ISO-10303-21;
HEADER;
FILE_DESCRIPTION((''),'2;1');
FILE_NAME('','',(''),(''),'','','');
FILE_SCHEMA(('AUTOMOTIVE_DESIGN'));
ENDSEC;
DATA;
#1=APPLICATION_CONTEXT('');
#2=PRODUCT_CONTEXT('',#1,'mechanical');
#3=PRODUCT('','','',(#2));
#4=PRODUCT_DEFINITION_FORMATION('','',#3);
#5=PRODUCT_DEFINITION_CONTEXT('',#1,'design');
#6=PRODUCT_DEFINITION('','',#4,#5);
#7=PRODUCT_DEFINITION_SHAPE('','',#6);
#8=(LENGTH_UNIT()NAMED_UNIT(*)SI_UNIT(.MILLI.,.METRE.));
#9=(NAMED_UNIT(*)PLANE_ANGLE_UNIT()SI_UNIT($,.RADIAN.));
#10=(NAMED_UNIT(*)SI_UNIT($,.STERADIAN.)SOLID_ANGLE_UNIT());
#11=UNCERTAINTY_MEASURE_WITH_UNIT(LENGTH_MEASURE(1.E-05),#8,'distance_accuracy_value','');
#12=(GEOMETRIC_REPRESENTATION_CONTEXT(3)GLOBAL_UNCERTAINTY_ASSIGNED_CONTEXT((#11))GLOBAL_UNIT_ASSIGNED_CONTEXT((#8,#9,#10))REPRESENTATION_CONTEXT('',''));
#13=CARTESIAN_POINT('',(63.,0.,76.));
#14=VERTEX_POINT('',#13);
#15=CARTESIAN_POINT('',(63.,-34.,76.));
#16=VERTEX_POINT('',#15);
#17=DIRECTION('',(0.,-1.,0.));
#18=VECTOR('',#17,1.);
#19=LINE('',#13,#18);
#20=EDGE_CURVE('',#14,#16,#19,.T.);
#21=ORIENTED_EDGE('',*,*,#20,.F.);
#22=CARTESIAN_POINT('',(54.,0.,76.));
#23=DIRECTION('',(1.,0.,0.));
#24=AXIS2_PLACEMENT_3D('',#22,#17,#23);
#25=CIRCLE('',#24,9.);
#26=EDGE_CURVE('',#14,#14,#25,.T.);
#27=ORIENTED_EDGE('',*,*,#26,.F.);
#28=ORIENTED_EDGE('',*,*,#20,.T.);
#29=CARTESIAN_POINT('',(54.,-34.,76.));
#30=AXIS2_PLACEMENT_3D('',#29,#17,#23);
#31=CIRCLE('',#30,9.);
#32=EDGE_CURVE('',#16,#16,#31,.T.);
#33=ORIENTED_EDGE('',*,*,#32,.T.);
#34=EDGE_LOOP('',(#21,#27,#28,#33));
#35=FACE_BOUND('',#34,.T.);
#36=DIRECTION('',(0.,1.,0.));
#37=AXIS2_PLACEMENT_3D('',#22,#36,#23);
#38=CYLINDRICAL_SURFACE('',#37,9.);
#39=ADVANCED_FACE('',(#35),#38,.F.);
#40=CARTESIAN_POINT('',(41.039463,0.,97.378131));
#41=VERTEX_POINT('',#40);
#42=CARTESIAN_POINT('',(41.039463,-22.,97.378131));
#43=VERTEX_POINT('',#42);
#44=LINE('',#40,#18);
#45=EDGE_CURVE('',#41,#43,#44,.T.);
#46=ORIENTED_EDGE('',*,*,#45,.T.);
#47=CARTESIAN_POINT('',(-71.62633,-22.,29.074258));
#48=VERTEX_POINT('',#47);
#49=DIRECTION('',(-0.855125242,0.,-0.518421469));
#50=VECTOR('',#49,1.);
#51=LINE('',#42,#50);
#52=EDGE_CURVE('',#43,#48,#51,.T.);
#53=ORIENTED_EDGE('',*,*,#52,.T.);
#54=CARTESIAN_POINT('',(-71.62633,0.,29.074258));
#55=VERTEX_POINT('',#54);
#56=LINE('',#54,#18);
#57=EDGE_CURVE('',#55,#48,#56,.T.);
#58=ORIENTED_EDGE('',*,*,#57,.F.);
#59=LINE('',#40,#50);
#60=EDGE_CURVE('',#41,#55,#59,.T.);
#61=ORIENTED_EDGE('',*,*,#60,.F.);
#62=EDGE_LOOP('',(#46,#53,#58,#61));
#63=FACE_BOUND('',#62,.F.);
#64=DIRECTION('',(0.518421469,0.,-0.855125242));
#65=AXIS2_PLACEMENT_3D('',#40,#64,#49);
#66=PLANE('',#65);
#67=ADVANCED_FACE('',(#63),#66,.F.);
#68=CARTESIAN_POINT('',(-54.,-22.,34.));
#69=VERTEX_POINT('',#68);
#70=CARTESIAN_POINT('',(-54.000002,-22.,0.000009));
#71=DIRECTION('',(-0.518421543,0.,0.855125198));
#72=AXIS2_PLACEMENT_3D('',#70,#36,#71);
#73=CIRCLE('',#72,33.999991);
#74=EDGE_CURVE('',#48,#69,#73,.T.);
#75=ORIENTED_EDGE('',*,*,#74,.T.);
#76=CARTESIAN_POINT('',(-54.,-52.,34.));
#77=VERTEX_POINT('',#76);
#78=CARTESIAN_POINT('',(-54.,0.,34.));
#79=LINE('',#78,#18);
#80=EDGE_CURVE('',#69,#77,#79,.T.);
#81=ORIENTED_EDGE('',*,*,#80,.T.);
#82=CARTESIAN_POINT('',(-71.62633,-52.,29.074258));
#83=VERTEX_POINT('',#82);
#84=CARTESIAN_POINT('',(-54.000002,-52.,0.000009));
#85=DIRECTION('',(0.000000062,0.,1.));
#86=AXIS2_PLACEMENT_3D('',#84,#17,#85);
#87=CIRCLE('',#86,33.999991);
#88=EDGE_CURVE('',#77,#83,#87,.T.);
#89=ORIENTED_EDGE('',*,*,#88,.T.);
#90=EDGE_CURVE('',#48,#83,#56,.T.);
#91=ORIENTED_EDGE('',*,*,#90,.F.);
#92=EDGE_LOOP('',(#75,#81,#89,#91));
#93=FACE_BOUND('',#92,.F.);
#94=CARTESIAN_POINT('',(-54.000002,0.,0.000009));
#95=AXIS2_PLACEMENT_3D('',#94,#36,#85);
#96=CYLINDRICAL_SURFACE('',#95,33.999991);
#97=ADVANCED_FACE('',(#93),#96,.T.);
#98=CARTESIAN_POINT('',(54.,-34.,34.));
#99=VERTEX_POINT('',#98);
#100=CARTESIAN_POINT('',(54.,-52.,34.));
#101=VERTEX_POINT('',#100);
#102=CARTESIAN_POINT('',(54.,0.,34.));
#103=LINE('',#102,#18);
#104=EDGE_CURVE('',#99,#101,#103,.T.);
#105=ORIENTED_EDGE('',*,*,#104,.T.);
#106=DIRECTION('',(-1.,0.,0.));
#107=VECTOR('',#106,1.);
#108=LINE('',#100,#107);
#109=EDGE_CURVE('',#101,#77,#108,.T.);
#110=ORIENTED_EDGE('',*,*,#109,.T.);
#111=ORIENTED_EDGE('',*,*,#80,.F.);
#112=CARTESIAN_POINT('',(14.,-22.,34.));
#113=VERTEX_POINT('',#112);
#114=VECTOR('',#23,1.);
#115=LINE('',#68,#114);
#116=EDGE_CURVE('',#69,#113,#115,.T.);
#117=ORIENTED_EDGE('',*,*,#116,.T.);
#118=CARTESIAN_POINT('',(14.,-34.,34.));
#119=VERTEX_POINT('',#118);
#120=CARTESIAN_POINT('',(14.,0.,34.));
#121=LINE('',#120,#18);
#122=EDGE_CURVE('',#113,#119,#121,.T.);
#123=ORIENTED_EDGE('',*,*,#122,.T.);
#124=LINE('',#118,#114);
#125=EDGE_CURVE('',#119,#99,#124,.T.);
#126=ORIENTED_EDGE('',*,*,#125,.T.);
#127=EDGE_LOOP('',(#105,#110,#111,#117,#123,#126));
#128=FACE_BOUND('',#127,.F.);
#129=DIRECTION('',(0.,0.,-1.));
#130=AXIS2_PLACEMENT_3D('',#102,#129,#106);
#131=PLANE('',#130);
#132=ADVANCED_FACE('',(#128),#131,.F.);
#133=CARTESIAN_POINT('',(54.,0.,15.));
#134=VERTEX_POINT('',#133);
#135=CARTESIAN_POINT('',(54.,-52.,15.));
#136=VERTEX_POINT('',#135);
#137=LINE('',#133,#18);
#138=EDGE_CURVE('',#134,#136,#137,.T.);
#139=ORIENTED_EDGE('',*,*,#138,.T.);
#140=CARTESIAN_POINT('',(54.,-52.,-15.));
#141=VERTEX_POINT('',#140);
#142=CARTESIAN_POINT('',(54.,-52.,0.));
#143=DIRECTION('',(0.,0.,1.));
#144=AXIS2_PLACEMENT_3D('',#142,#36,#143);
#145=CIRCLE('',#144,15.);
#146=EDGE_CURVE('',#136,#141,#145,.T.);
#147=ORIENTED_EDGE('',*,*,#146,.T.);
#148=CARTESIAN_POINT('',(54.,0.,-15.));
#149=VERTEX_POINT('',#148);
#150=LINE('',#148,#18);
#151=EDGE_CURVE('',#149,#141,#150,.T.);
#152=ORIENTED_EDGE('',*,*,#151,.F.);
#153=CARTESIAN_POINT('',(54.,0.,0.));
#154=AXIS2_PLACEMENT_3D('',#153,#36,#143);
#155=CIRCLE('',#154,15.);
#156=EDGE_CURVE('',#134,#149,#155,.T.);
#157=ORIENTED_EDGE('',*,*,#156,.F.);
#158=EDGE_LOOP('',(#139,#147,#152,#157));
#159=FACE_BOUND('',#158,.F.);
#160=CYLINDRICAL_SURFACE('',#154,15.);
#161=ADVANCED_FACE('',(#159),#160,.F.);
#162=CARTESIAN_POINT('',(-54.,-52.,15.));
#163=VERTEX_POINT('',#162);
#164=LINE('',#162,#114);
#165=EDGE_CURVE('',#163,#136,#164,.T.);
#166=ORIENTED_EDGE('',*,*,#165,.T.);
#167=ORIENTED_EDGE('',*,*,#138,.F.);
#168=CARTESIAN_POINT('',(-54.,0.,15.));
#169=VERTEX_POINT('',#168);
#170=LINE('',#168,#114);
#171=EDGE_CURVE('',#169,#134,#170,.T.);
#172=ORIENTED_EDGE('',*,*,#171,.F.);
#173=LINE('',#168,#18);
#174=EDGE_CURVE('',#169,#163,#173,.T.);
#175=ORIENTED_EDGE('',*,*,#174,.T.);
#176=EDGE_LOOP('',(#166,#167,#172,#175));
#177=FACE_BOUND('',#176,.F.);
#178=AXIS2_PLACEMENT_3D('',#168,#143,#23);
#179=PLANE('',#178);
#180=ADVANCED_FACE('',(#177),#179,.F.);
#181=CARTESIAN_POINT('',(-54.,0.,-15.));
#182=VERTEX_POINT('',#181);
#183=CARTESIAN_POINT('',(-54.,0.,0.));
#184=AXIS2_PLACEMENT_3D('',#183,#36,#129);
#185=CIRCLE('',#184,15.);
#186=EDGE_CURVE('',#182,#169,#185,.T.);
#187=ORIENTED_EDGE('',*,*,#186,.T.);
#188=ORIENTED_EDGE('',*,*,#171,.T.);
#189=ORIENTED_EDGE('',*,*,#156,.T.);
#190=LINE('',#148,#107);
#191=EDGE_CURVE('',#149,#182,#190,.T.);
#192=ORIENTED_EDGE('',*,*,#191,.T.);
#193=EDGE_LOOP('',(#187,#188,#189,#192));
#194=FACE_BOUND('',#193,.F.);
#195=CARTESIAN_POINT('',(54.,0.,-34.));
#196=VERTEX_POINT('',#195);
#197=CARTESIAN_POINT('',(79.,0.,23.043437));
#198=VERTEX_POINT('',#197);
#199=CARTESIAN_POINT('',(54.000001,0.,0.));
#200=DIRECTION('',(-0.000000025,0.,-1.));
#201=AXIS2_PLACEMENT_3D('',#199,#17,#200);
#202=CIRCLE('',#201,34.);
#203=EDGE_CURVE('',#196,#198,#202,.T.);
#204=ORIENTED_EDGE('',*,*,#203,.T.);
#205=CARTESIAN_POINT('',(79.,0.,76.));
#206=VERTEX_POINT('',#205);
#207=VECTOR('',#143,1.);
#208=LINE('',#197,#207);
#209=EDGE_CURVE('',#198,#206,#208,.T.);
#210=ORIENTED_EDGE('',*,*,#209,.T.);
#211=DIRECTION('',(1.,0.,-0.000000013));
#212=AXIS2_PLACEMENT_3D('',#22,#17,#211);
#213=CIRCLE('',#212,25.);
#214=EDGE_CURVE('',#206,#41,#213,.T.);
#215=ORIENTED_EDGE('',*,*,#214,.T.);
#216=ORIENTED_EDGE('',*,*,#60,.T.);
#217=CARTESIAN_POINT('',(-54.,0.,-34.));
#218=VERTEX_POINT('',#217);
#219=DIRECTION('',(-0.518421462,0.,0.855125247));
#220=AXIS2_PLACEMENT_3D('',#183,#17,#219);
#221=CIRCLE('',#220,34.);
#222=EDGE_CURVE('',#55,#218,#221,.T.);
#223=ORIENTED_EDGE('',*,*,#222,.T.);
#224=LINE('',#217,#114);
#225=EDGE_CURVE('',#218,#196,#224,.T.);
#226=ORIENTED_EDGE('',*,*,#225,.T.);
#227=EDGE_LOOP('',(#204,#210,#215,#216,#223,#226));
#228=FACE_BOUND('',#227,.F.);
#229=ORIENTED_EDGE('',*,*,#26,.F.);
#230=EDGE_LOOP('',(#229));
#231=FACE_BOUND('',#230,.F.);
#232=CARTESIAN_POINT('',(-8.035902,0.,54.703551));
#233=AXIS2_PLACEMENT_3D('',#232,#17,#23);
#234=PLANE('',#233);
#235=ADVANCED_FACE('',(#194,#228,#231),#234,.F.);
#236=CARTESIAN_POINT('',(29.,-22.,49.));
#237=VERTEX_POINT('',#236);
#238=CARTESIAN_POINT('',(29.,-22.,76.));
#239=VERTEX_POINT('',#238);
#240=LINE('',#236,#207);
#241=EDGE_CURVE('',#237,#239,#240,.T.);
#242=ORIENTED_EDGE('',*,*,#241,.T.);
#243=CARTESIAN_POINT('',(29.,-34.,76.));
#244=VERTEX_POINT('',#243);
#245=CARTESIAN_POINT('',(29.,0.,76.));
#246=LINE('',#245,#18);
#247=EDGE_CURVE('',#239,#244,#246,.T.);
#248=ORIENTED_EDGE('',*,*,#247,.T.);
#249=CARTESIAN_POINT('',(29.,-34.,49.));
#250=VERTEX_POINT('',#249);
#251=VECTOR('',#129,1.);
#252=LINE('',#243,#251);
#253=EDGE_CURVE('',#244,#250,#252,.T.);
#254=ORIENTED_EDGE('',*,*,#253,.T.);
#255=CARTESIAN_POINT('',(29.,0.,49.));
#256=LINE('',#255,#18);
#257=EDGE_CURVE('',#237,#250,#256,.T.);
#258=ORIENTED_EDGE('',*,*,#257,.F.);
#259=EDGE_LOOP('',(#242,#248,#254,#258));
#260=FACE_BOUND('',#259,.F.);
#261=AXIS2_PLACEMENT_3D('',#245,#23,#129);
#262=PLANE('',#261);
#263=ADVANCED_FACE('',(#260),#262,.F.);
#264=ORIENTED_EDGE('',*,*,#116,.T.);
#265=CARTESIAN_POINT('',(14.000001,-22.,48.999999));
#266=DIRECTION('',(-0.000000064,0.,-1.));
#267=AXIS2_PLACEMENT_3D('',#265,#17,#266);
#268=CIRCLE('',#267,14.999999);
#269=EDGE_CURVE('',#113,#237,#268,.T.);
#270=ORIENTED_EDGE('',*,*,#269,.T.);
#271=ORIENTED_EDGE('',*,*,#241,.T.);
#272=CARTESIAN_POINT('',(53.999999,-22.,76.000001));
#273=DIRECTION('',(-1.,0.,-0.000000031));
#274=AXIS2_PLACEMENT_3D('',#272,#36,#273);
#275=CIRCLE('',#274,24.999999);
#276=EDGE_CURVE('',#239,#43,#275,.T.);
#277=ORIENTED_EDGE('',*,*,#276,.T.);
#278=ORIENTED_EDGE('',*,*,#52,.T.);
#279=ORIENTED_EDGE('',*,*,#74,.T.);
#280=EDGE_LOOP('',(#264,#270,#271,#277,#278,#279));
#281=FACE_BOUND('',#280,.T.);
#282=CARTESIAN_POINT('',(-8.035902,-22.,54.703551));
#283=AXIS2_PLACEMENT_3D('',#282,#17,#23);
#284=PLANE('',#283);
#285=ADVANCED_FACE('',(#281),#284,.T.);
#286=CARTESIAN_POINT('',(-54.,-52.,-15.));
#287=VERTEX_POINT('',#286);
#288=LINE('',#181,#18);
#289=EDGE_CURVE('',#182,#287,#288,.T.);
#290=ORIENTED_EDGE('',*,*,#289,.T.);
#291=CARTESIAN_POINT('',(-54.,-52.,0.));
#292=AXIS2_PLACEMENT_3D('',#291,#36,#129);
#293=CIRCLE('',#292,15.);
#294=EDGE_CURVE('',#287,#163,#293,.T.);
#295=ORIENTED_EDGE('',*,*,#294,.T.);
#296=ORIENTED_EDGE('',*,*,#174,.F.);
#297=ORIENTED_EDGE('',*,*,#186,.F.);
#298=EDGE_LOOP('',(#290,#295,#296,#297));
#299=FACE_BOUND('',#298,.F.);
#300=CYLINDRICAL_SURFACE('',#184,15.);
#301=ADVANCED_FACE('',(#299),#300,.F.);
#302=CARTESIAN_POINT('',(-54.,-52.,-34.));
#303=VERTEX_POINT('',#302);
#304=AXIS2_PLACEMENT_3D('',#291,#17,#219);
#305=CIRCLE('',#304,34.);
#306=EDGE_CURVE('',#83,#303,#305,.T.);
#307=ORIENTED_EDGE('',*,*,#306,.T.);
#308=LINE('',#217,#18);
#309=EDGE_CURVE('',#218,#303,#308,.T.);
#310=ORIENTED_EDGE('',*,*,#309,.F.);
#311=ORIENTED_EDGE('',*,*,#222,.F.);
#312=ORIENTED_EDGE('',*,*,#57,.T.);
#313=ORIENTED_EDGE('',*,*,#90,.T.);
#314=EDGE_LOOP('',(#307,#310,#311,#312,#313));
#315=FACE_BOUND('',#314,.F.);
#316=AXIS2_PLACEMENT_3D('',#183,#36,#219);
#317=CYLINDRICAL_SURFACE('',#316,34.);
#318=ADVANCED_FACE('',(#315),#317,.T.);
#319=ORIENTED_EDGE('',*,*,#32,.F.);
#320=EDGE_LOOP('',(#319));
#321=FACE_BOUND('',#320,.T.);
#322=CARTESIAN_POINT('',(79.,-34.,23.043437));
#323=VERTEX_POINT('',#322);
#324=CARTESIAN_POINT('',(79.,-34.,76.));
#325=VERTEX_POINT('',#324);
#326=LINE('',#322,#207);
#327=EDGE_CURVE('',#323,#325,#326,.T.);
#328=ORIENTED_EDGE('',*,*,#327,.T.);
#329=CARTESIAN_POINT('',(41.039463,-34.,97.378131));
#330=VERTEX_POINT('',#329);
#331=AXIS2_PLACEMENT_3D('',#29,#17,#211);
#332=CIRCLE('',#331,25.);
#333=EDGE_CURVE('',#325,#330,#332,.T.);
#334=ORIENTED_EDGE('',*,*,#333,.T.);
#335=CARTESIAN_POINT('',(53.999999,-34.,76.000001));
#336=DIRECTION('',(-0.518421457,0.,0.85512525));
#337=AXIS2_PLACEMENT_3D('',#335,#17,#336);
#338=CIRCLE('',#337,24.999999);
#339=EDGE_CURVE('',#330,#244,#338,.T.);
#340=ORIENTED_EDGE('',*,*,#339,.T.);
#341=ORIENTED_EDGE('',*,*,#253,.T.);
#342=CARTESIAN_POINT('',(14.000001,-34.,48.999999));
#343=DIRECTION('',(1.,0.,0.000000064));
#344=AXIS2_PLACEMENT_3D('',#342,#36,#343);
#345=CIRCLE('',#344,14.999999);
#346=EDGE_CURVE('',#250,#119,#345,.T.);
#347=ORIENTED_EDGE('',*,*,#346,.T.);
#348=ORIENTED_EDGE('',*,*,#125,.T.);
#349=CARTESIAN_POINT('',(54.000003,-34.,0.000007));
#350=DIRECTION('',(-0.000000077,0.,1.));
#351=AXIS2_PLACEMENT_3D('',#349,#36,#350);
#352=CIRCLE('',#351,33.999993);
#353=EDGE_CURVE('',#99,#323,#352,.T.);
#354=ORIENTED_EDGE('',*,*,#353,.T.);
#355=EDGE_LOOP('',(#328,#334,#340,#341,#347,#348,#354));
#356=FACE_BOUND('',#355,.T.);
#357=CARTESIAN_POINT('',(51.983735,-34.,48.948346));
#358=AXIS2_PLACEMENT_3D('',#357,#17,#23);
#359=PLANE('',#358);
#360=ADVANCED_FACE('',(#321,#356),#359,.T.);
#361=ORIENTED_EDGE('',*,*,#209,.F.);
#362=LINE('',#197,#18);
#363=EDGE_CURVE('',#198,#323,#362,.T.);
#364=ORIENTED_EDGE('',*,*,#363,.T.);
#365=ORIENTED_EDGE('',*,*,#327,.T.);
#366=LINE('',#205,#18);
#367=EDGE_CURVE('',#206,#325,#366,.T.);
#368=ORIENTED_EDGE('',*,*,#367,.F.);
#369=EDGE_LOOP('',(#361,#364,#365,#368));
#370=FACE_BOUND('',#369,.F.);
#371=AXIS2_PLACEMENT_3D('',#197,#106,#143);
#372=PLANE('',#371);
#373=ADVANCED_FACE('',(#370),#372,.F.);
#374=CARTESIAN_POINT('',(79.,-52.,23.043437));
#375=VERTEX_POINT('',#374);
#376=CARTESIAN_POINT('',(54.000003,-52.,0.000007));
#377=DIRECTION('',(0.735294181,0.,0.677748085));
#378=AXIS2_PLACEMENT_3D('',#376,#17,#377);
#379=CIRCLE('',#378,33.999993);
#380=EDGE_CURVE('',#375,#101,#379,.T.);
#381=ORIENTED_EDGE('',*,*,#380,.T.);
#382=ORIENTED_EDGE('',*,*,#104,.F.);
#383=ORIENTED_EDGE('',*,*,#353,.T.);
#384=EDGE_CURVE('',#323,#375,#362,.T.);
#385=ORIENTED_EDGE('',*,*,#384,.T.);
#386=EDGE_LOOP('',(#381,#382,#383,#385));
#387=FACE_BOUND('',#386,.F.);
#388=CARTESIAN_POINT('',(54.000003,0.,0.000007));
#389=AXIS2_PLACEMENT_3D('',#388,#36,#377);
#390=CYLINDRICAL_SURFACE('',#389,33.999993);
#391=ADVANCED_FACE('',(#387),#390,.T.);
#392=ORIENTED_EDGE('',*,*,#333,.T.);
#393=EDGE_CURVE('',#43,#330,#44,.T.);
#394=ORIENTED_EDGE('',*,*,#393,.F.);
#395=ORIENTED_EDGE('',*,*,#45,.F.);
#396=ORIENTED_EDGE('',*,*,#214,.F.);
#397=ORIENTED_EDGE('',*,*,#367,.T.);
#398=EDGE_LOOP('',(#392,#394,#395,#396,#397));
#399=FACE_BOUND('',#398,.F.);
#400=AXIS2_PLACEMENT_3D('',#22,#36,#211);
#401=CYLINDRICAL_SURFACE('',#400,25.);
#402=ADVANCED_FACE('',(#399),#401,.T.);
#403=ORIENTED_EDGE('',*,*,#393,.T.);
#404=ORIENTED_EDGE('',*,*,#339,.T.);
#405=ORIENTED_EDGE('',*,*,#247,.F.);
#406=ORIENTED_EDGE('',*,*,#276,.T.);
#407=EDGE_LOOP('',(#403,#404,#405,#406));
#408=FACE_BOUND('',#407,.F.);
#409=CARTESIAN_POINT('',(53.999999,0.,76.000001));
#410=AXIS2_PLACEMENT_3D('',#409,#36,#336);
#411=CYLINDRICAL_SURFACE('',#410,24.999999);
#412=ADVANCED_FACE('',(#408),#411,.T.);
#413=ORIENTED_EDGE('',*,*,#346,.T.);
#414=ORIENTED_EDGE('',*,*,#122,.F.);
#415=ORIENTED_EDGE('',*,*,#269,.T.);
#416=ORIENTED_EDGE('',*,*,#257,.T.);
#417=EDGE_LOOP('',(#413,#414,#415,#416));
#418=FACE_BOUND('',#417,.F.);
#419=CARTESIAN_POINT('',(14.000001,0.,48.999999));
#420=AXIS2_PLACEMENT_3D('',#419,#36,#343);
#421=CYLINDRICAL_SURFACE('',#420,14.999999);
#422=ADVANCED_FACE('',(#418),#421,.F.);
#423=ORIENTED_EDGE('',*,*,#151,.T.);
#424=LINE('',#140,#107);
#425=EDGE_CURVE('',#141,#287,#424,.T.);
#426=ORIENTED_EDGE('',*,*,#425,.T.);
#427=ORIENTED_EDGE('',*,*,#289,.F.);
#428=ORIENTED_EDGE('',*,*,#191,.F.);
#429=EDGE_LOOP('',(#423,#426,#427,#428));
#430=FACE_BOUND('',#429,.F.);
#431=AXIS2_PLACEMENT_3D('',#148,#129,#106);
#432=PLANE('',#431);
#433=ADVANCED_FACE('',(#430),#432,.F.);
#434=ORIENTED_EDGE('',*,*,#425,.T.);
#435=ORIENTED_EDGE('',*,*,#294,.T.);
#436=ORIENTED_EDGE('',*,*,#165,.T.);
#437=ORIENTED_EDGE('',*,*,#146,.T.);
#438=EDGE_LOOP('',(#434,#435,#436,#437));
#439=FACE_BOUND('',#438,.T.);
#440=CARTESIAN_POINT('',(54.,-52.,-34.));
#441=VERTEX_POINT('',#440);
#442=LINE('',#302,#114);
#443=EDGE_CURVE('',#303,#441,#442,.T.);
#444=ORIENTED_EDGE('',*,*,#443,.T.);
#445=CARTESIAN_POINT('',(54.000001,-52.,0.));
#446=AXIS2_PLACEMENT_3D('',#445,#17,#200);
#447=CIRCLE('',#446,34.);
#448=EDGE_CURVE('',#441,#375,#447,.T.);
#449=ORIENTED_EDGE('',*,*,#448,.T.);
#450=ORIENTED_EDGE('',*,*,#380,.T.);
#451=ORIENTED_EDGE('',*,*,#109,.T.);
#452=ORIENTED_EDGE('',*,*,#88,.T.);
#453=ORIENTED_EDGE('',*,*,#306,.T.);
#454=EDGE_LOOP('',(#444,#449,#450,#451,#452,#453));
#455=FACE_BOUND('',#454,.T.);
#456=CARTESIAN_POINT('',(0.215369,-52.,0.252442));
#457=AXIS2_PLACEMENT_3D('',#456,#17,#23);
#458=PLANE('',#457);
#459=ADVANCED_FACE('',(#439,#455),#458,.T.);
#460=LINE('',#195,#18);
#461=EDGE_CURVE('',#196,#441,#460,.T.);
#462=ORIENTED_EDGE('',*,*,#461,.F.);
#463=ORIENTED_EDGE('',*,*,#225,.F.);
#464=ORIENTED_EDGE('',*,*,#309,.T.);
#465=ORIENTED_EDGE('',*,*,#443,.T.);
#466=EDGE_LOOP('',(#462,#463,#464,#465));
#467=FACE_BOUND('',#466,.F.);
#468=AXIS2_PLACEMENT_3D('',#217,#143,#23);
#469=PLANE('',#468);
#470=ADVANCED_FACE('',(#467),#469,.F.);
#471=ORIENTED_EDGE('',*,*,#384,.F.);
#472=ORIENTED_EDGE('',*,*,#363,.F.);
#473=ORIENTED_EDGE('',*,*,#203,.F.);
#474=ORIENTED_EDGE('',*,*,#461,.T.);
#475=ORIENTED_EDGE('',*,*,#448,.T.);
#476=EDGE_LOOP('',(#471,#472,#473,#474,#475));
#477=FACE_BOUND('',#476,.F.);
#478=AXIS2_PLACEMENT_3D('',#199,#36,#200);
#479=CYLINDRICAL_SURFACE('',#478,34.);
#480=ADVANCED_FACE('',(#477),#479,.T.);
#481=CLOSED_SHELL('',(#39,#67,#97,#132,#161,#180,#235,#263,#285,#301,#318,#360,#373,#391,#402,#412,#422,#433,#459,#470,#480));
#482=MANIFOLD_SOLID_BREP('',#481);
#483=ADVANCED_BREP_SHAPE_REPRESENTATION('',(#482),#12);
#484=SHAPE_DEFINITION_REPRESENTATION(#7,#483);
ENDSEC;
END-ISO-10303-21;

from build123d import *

# Parameters (mm, degrees)
F1_DEPTH = 52
F2_DEPTH = 22
F0_R     = 9
F3_DEPTH = 34


with BuildPart() as f1:
    # F0 (on Front) → F1 (new body)
    with BuildSketch(Plane.XZ):
        with BuildLine():
            Line((14, 34), (-54, 34))
            ThreePointArc((-54, 34), (-63.150826, 32.745418), (-71.62633, 29.074258))
            ThreePointArc((-71.62633, 29.074258), (-86.745418, -9.150826), (-54, -34))
            Line((-54, -34), (54, -34))
            ThreePointArc((54, -34), (85.140624, -13.647768), (79, 23.043437))
            ThreePointArc((79, 23.043437), (67.647768, 31.140624), (54, 34))
            Line((54, 34), (27.266499, 34))
            Line((27.266499, 34), (14, 34))
        make_face()
        with BuildLine():
            ThreePointArc((-54, -15), (-69, 0), (-54, 15))
            Line((-54, 15), (54, 15))
            ThreePointArc((54, 15), (69, 0), (54, -15))
            Line((54, -15), (-54, -15))
        make_face(mode=Mode.SUBTRACT)
    extrude(amount=F1_DEPTH)

    # F0 (on Front) → F2 (join)
    with BuildSketch(Plane.XZ):
        with BuildLine():
            ThreePointArc((-71.62633, 29.074258), (-63.150826, 32.745418), (-54, 34))
            Line((-54, 34), (14, 34))
            ThreePointArc((14, 34), (24.606602, 38.393398), (29, 49))
            Line((29, 49), (29, 76))
            ThreePointArc((29, 76), (32.216825, 88.267571), (41.039463, 97.378131))
            Line((41.039463, 97.378131), (-71.62633, 29.074258))
        make_face()
    extrude(amount=F2_DEPTH)

    # F0 (on Front) → F3 (join)
    with BuildSketch(Plane.XZ):
        with BuildLine():
            ThreePointArc((29, 49), (24.606602, 38.393398), (14, 34))
            Line((14, 34), (27.266499, 34))
            Line((27.266499, 34), (54, 34))
            ThreePointArc((54, 34), (67.647768, 31.140624), (79, 23.043437))
            Line((79, 23.043437), (79, 76))
            ThreePointArc((79, 76), (54, 51), (29, 76))
            Line((29, 76), (29, 49))
        make_face()
        with BuildLine():
            ThreePointArc((79, 76), (66.267571, 97.783175), (41.039463, 97.378131))
            ThreePointArc((41.039463, 97.378131), (32.216825, 88.267571), (29, 76))
            ThreePointArc((29, 76), (54, 51), (79, 76))
        make_face()
        with Locations((54, 76)):
            Circle(F0_R, mode=Mode.SUBTRACT)
    extrude(amount=F3_DEPTH)


solid = f1.part
